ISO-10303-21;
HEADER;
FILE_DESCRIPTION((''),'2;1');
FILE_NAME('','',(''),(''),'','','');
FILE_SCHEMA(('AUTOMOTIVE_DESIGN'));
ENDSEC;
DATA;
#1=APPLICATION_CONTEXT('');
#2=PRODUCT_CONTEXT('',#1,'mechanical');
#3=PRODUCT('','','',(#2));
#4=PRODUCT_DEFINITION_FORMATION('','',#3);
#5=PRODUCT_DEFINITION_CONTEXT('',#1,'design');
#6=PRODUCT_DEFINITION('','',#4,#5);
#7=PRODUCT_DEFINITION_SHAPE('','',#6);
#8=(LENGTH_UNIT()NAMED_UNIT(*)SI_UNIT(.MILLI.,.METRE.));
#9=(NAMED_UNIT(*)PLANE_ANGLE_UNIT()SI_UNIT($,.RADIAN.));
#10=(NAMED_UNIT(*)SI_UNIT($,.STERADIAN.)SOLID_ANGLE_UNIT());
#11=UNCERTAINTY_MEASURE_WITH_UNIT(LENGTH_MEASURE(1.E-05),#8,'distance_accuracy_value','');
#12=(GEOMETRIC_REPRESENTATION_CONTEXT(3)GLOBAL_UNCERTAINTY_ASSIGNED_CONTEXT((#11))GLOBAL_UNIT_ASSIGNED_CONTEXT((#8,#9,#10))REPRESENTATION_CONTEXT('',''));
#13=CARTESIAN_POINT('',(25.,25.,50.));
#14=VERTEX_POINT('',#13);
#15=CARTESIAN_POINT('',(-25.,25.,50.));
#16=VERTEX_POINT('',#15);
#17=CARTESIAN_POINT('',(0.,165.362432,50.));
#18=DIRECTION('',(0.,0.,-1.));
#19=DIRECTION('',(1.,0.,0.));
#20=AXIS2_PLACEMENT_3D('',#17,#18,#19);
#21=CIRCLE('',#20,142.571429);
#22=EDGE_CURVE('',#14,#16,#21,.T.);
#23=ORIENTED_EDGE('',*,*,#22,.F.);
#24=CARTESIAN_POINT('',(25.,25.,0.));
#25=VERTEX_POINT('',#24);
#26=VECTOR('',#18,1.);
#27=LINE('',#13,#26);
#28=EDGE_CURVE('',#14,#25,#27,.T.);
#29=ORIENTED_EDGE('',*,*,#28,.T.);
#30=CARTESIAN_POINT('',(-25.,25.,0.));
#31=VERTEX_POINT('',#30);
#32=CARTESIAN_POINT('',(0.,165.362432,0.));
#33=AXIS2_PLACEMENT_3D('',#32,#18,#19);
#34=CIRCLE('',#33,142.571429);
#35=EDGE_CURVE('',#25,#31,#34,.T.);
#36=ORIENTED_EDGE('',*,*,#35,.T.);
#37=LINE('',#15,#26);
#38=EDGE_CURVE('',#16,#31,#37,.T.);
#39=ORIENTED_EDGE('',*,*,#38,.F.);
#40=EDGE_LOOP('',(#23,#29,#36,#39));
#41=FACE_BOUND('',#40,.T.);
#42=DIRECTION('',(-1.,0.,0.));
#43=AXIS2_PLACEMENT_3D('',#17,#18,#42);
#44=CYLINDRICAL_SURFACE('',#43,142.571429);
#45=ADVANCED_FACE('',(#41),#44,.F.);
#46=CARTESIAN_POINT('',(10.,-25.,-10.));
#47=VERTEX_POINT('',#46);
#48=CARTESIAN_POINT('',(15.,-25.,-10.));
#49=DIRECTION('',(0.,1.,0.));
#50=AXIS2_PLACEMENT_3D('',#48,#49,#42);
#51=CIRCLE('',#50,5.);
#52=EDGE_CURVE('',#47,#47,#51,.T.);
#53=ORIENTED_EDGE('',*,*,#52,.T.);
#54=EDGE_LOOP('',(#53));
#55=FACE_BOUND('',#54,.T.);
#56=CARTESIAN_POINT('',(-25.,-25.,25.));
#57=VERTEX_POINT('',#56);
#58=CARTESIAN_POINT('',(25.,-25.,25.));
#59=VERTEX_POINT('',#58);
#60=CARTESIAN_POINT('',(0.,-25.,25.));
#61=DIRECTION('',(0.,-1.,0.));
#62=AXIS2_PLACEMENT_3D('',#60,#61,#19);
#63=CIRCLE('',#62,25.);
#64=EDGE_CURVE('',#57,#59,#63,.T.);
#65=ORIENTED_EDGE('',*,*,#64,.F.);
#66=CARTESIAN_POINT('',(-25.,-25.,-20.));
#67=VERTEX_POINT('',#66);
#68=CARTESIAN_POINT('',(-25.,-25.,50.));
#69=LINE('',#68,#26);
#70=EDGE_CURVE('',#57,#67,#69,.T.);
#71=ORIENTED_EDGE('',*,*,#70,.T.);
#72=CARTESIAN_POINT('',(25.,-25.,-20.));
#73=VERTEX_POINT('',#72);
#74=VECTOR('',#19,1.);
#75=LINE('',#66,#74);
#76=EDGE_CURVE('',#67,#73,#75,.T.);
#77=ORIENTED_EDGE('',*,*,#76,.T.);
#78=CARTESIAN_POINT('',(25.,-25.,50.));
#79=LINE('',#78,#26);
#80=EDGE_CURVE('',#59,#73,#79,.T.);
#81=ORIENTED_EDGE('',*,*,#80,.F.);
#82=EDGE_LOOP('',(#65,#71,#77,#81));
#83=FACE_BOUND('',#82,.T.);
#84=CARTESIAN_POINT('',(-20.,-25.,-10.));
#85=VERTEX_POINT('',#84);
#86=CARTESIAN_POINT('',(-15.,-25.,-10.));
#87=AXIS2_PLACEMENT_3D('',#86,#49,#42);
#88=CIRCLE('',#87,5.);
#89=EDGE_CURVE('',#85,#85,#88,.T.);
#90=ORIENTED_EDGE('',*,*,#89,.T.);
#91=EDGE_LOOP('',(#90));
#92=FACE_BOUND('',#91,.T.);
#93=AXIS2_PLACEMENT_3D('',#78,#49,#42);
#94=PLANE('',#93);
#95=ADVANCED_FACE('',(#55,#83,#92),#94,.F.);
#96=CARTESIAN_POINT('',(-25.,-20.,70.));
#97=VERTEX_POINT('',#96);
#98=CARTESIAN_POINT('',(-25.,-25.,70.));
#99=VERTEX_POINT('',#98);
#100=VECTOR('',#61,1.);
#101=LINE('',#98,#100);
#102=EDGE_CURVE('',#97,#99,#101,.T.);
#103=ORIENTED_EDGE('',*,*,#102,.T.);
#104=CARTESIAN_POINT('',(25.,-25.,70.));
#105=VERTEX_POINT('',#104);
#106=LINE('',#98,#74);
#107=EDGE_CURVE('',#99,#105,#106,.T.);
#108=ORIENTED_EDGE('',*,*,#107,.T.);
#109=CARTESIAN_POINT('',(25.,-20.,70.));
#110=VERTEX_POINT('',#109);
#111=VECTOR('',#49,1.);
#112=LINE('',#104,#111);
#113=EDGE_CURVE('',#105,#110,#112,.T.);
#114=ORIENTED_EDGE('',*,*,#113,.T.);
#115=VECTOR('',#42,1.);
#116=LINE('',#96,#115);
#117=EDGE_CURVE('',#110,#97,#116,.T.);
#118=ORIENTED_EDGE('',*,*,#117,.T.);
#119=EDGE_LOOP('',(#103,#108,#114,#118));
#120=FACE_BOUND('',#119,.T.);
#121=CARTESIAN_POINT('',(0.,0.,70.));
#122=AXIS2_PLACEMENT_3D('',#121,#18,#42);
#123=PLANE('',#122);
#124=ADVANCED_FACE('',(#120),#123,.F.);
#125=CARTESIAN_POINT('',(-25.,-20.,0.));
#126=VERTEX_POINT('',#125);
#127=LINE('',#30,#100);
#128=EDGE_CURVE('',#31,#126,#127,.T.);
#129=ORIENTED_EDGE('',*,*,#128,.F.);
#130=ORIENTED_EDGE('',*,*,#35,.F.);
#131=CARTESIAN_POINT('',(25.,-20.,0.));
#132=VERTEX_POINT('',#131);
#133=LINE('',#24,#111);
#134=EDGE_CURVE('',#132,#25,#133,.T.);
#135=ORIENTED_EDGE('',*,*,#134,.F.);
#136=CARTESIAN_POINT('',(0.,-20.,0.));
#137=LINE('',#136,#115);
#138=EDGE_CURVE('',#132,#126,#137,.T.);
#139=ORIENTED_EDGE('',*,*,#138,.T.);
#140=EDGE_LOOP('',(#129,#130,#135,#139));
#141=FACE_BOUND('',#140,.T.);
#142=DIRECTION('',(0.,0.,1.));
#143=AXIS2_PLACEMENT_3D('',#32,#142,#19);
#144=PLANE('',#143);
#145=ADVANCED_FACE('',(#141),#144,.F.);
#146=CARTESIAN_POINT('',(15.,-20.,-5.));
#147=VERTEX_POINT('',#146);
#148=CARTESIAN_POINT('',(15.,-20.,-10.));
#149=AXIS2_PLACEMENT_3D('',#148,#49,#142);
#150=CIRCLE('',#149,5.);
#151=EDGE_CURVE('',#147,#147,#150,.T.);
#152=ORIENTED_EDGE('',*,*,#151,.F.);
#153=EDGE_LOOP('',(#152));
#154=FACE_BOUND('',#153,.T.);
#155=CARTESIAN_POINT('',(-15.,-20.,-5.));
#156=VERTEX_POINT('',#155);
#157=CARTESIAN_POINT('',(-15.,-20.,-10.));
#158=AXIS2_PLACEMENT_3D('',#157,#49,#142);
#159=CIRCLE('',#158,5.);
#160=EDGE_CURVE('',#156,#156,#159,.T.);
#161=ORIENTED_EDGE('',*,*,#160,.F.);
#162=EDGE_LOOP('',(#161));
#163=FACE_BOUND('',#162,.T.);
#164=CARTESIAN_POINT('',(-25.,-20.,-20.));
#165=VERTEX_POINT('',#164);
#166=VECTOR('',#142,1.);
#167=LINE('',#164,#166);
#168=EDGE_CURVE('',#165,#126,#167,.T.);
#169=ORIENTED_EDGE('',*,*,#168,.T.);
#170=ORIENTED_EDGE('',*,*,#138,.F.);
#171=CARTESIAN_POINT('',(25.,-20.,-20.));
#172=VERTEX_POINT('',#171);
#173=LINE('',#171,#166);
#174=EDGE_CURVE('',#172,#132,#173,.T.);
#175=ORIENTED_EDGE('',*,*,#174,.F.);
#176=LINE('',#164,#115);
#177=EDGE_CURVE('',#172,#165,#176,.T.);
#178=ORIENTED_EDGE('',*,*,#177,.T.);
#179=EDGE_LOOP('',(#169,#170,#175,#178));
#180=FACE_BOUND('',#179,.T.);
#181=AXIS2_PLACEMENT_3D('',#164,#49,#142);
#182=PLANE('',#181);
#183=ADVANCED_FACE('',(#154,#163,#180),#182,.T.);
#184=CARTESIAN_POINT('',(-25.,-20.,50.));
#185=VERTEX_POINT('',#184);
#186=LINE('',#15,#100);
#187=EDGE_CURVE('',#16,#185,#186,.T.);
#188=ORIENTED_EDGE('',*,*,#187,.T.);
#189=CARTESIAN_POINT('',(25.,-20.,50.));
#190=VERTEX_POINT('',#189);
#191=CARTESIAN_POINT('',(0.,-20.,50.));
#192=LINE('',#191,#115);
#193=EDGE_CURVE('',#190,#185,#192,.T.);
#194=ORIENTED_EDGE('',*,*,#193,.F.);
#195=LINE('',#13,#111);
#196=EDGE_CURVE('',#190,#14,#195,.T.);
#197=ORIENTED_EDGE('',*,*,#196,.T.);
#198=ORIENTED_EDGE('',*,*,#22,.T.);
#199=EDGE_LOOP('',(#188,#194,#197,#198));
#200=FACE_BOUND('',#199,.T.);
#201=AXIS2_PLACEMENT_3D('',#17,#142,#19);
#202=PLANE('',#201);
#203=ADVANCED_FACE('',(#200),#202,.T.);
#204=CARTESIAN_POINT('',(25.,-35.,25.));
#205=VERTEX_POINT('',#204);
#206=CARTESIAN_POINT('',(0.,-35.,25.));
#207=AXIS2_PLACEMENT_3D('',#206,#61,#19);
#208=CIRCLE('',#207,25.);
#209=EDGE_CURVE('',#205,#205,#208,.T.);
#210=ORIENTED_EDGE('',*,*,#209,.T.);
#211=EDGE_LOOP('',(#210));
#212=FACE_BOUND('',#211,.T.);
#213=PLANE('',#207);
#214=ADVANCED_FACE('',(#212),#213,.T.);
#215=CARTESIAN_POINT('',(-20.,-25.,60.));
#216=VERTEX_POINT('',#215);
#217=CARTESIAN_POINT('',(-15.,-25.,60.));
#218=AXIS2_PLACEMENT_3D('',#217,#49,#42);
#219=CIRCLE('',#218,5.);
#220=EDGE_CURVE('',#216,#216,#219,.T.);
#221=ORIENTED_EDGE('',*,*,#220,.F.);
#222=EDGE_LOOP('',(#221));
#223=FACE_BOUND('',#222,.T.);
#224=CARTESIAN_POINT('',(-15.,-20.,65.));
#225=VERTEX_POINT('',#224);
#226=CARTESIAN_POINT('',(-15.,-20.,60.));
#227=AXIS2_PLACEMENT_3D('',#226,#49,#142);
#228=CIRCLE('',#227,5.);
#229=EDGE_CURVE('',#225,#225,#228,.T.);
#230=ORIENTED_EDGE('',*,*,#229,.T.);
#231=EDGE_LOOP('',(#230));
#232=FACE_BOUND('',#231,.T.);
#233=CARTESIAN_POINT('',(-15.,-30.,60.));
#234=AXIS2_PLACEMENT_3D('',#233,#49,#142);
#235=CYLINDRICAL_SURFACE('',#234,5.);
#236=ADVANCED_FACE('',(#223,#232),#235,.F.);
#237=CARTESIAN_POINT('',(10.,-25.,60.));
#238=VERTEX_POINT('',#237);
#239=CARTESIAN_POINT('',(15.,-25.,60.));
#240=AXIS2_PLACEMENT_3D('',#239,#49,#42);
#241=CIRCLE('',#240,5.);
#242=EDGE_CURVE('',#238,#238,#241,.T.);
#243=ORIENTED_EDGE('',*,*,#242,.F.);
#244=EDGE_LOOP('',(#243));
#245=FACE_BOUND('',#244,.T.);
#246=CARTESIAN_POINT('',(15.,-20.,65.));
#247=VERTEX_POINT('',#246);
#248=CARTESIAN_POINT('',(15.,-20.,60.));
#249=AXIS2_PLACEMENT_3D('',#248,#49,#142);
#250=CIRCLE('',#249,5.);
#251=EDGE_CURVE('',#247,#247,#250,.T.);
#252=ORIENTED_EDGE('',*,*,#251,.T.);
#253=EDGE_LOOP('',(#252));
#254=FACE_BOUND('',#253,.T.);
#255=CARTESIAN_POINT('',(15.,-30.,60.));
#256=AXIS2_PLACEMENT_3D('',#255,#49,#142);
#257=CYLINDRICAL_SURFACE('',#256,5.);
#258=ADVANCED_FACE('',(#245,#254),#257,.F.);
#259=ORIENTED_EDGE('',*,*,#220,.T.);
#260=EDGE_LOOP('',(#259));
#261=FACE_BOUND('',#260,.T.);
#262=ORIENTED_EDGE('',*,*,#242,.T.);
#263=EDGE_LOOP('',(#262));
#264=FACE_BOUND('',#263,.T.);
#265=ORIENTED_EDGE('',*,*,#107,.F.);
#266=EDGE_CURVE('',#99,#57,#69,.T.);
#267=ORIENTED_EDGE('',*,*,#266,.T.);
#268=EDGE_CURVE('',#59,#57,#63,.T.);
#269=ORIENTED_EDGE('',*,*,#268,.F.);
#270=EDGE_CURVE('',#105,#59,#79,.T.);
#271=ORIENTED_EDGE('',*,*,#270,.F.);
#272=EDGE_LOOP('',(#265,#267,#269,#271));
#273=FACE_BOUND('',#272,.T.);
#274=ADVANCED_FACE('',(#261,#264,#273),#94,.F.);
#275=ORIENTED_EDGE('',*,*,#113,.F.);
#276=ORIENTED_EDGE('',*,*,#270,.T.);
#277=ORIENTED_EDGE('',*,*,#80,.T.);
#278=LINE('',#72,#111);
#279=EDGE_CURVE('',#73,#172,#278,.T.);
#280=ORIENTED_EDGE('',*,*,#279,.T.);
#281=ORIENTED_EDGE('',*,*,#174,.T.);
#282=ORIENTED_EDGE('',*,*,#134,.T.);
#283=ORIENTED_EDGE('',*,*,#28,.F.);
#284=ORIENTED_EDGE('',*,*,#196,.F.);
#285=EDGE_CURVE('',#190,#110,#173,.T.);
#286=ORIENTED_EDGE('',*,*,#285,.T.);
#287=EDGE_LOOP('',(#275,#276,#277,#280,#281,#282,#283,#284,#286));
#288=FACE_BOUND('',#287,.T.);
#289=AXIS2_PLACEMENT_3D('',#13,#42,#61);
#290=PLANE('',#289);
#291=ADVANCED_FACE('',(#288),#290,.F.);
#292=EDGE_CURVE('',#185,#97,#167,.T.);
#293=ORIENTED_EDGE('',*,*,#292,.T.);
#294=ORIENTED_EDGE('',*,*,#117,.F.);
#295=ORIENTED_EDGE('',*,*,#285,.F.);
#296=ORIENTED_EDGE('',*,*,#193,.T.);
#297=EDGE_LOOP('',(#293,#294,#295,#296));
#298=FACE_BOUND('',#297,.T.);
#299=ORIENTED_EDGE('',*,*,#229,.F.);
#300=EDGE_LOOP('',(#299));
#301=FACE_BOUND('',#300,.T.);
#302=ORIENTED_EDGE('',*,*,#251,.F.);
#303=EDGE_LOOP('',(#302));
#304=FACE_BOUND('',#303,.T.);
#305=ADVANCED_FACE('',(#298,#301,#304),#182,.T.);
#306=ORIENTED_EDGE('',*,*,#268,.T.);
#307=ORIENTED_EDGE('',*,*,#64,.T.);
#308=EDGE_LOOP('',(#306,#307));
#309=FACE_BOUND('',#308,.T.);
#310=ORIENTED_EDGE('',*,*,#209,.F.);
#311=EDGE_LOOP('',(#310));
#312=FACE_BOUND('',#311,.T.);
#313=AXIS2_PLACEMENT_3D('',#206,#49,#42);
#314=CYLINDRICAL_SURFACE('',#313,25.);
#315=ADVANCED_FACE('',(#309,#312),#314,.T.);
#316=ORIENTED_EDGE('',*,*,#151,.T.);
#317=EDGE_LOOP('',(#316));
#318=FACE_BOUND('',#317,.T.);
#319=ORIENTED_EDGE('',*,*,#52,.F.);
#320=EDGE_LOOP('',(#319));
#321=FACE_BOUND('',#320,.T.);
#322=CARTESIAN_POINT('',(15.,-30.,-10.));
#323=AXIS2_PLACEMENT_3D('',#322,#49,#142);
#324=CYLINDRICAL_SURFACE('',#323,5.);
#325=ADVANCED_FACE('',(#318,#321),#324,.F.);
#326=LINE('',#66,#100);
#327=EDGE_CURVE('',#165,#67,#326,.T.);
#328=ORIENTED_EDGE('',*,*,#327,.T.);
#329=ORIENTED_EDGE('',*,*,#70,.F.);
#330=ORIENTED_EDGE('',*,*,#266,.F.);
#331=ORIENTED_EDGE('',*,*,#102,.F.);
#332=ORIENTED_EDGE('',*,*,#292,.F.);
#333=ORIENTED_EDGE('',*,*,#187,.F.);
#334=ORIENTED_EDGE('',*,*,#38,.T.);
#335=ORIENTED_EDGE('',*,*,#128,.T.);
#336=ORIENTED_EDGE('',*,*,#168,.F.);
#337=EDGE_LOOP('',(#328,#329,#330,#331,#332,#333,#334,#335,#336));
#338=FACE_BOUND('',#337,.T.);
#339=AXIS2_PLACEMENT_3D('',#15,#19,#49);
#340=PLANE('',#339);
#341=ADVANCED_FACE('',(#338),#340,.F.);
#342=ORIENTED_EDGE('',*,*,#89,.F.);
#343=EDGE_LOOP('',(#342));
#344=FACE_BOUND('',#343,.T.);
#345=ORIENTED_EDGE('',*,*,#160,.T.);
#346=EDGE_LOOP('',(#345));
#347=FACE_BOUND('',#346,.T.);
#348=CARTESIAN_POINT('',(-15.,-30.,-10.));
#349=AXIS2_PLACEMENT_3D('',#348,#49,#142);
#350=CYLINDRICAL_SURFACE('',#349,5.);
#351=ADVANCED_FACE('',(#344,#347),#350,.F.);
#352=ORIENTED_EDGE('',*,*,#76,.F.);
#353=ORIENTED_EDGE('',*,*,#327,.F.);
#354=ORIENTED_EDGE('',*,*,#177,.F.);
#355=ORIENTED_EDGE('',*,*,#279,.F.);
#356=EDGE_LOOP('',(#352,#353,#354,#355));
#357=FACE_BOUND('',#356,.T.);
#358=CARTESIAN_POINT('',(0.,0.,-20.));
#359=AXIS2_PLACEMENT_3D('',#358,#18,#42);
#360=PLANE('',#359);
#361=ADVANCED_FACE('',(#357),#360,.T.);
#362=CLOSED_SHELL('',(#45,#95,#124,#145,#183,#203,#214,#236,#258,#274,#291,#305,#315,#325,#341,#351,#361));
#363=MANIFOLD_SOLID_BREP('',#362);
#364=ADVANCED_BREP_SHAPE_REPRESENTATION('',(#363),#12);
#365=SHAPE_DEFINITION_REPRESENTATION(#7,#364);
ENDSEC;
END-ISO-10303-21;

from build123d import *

# Parameters (mm, degrees)
BOSS_EXTRUDE1_DEPTH      = 50
SKETCH2_R                = 25
BOSS_EXTRUDE2_DEPTH      = 10
BOSS_EXTRUDE3_DEPTH      = 20
BOSS_EXTRUDE3_DEPTH_BACK = 70
SKETCH3_W                = 50
SKETCH3_H                = 5
SKETCH4_R                = 5
CUT_EXTRUDE1_DEPTH       = 10


with BuildPart() as part:
    # Sketch1 → Boss-Extrude1 (new body)
    with BuildSketch(Plane.XY):
        with BuildLine():
            Line((25, 25), (25, -25))
            Line((25, -25), (-25, -25))
            Line((-25, -25), (-25, 25))
            ThreePointArc((-25, 25), (0, 22.791003179), (25, 25))
        make_face()
    extrude(amount=BOSS_EXTRUDE1_DEPTH)

    # Sketch2 → Boss-Extrude2 (add)
    with BuildSketch(Plane.XZ.offset(25)):
        with Locations((0, 25)):
            Circle(SKETCH2_R)
    extrude(amount=BOSS_EXTRUDE2_DEPTH)

    # Sketch3 → Boss-Extrude3 (add, two sides: drawn at the far end of the back side and taken through both)
    with BuildSketch(Plane.XY.offset(50).offset(-BOSS_EXTRUDE3_DEPTH_BACK)):
        with Locations((0, -22.5)):
            Rectangle(SKETCH3_W, SKETCH3_H)
    extrude(amount=BOSS_EXTRUDE3_DEPTH + BOSS_EXTRUDE3_DEPTH_BACK)

    # Sketch4 → Cut-Extrude1 (cut)
    with BuildSketch(Plane(origin=(0, -20, 0), x_dir=(1, 0, 0), z_dir=(0, 1, 0))):
        with Locations(Location((-15, -60, 0), (0, 0, 270))):
            Circle(SKETCH4_R)
        with Locations(Location((15, -60, 0), (0, 0, 270))):
            Circle(SKETCH4_R)
        with Locations(Location((15, 10, 0), (0, 0, 270))):
            Circle(SKETCH4_R)
        with Locations(Location((-15, 10, 0), (0, 0, 270))):
            Circle(SKETCH4_R)
    extrude(amount=-CUT_EXTRUDE1_DEPTH, mode=Mode.SUBTRACT)


solid = part.part
